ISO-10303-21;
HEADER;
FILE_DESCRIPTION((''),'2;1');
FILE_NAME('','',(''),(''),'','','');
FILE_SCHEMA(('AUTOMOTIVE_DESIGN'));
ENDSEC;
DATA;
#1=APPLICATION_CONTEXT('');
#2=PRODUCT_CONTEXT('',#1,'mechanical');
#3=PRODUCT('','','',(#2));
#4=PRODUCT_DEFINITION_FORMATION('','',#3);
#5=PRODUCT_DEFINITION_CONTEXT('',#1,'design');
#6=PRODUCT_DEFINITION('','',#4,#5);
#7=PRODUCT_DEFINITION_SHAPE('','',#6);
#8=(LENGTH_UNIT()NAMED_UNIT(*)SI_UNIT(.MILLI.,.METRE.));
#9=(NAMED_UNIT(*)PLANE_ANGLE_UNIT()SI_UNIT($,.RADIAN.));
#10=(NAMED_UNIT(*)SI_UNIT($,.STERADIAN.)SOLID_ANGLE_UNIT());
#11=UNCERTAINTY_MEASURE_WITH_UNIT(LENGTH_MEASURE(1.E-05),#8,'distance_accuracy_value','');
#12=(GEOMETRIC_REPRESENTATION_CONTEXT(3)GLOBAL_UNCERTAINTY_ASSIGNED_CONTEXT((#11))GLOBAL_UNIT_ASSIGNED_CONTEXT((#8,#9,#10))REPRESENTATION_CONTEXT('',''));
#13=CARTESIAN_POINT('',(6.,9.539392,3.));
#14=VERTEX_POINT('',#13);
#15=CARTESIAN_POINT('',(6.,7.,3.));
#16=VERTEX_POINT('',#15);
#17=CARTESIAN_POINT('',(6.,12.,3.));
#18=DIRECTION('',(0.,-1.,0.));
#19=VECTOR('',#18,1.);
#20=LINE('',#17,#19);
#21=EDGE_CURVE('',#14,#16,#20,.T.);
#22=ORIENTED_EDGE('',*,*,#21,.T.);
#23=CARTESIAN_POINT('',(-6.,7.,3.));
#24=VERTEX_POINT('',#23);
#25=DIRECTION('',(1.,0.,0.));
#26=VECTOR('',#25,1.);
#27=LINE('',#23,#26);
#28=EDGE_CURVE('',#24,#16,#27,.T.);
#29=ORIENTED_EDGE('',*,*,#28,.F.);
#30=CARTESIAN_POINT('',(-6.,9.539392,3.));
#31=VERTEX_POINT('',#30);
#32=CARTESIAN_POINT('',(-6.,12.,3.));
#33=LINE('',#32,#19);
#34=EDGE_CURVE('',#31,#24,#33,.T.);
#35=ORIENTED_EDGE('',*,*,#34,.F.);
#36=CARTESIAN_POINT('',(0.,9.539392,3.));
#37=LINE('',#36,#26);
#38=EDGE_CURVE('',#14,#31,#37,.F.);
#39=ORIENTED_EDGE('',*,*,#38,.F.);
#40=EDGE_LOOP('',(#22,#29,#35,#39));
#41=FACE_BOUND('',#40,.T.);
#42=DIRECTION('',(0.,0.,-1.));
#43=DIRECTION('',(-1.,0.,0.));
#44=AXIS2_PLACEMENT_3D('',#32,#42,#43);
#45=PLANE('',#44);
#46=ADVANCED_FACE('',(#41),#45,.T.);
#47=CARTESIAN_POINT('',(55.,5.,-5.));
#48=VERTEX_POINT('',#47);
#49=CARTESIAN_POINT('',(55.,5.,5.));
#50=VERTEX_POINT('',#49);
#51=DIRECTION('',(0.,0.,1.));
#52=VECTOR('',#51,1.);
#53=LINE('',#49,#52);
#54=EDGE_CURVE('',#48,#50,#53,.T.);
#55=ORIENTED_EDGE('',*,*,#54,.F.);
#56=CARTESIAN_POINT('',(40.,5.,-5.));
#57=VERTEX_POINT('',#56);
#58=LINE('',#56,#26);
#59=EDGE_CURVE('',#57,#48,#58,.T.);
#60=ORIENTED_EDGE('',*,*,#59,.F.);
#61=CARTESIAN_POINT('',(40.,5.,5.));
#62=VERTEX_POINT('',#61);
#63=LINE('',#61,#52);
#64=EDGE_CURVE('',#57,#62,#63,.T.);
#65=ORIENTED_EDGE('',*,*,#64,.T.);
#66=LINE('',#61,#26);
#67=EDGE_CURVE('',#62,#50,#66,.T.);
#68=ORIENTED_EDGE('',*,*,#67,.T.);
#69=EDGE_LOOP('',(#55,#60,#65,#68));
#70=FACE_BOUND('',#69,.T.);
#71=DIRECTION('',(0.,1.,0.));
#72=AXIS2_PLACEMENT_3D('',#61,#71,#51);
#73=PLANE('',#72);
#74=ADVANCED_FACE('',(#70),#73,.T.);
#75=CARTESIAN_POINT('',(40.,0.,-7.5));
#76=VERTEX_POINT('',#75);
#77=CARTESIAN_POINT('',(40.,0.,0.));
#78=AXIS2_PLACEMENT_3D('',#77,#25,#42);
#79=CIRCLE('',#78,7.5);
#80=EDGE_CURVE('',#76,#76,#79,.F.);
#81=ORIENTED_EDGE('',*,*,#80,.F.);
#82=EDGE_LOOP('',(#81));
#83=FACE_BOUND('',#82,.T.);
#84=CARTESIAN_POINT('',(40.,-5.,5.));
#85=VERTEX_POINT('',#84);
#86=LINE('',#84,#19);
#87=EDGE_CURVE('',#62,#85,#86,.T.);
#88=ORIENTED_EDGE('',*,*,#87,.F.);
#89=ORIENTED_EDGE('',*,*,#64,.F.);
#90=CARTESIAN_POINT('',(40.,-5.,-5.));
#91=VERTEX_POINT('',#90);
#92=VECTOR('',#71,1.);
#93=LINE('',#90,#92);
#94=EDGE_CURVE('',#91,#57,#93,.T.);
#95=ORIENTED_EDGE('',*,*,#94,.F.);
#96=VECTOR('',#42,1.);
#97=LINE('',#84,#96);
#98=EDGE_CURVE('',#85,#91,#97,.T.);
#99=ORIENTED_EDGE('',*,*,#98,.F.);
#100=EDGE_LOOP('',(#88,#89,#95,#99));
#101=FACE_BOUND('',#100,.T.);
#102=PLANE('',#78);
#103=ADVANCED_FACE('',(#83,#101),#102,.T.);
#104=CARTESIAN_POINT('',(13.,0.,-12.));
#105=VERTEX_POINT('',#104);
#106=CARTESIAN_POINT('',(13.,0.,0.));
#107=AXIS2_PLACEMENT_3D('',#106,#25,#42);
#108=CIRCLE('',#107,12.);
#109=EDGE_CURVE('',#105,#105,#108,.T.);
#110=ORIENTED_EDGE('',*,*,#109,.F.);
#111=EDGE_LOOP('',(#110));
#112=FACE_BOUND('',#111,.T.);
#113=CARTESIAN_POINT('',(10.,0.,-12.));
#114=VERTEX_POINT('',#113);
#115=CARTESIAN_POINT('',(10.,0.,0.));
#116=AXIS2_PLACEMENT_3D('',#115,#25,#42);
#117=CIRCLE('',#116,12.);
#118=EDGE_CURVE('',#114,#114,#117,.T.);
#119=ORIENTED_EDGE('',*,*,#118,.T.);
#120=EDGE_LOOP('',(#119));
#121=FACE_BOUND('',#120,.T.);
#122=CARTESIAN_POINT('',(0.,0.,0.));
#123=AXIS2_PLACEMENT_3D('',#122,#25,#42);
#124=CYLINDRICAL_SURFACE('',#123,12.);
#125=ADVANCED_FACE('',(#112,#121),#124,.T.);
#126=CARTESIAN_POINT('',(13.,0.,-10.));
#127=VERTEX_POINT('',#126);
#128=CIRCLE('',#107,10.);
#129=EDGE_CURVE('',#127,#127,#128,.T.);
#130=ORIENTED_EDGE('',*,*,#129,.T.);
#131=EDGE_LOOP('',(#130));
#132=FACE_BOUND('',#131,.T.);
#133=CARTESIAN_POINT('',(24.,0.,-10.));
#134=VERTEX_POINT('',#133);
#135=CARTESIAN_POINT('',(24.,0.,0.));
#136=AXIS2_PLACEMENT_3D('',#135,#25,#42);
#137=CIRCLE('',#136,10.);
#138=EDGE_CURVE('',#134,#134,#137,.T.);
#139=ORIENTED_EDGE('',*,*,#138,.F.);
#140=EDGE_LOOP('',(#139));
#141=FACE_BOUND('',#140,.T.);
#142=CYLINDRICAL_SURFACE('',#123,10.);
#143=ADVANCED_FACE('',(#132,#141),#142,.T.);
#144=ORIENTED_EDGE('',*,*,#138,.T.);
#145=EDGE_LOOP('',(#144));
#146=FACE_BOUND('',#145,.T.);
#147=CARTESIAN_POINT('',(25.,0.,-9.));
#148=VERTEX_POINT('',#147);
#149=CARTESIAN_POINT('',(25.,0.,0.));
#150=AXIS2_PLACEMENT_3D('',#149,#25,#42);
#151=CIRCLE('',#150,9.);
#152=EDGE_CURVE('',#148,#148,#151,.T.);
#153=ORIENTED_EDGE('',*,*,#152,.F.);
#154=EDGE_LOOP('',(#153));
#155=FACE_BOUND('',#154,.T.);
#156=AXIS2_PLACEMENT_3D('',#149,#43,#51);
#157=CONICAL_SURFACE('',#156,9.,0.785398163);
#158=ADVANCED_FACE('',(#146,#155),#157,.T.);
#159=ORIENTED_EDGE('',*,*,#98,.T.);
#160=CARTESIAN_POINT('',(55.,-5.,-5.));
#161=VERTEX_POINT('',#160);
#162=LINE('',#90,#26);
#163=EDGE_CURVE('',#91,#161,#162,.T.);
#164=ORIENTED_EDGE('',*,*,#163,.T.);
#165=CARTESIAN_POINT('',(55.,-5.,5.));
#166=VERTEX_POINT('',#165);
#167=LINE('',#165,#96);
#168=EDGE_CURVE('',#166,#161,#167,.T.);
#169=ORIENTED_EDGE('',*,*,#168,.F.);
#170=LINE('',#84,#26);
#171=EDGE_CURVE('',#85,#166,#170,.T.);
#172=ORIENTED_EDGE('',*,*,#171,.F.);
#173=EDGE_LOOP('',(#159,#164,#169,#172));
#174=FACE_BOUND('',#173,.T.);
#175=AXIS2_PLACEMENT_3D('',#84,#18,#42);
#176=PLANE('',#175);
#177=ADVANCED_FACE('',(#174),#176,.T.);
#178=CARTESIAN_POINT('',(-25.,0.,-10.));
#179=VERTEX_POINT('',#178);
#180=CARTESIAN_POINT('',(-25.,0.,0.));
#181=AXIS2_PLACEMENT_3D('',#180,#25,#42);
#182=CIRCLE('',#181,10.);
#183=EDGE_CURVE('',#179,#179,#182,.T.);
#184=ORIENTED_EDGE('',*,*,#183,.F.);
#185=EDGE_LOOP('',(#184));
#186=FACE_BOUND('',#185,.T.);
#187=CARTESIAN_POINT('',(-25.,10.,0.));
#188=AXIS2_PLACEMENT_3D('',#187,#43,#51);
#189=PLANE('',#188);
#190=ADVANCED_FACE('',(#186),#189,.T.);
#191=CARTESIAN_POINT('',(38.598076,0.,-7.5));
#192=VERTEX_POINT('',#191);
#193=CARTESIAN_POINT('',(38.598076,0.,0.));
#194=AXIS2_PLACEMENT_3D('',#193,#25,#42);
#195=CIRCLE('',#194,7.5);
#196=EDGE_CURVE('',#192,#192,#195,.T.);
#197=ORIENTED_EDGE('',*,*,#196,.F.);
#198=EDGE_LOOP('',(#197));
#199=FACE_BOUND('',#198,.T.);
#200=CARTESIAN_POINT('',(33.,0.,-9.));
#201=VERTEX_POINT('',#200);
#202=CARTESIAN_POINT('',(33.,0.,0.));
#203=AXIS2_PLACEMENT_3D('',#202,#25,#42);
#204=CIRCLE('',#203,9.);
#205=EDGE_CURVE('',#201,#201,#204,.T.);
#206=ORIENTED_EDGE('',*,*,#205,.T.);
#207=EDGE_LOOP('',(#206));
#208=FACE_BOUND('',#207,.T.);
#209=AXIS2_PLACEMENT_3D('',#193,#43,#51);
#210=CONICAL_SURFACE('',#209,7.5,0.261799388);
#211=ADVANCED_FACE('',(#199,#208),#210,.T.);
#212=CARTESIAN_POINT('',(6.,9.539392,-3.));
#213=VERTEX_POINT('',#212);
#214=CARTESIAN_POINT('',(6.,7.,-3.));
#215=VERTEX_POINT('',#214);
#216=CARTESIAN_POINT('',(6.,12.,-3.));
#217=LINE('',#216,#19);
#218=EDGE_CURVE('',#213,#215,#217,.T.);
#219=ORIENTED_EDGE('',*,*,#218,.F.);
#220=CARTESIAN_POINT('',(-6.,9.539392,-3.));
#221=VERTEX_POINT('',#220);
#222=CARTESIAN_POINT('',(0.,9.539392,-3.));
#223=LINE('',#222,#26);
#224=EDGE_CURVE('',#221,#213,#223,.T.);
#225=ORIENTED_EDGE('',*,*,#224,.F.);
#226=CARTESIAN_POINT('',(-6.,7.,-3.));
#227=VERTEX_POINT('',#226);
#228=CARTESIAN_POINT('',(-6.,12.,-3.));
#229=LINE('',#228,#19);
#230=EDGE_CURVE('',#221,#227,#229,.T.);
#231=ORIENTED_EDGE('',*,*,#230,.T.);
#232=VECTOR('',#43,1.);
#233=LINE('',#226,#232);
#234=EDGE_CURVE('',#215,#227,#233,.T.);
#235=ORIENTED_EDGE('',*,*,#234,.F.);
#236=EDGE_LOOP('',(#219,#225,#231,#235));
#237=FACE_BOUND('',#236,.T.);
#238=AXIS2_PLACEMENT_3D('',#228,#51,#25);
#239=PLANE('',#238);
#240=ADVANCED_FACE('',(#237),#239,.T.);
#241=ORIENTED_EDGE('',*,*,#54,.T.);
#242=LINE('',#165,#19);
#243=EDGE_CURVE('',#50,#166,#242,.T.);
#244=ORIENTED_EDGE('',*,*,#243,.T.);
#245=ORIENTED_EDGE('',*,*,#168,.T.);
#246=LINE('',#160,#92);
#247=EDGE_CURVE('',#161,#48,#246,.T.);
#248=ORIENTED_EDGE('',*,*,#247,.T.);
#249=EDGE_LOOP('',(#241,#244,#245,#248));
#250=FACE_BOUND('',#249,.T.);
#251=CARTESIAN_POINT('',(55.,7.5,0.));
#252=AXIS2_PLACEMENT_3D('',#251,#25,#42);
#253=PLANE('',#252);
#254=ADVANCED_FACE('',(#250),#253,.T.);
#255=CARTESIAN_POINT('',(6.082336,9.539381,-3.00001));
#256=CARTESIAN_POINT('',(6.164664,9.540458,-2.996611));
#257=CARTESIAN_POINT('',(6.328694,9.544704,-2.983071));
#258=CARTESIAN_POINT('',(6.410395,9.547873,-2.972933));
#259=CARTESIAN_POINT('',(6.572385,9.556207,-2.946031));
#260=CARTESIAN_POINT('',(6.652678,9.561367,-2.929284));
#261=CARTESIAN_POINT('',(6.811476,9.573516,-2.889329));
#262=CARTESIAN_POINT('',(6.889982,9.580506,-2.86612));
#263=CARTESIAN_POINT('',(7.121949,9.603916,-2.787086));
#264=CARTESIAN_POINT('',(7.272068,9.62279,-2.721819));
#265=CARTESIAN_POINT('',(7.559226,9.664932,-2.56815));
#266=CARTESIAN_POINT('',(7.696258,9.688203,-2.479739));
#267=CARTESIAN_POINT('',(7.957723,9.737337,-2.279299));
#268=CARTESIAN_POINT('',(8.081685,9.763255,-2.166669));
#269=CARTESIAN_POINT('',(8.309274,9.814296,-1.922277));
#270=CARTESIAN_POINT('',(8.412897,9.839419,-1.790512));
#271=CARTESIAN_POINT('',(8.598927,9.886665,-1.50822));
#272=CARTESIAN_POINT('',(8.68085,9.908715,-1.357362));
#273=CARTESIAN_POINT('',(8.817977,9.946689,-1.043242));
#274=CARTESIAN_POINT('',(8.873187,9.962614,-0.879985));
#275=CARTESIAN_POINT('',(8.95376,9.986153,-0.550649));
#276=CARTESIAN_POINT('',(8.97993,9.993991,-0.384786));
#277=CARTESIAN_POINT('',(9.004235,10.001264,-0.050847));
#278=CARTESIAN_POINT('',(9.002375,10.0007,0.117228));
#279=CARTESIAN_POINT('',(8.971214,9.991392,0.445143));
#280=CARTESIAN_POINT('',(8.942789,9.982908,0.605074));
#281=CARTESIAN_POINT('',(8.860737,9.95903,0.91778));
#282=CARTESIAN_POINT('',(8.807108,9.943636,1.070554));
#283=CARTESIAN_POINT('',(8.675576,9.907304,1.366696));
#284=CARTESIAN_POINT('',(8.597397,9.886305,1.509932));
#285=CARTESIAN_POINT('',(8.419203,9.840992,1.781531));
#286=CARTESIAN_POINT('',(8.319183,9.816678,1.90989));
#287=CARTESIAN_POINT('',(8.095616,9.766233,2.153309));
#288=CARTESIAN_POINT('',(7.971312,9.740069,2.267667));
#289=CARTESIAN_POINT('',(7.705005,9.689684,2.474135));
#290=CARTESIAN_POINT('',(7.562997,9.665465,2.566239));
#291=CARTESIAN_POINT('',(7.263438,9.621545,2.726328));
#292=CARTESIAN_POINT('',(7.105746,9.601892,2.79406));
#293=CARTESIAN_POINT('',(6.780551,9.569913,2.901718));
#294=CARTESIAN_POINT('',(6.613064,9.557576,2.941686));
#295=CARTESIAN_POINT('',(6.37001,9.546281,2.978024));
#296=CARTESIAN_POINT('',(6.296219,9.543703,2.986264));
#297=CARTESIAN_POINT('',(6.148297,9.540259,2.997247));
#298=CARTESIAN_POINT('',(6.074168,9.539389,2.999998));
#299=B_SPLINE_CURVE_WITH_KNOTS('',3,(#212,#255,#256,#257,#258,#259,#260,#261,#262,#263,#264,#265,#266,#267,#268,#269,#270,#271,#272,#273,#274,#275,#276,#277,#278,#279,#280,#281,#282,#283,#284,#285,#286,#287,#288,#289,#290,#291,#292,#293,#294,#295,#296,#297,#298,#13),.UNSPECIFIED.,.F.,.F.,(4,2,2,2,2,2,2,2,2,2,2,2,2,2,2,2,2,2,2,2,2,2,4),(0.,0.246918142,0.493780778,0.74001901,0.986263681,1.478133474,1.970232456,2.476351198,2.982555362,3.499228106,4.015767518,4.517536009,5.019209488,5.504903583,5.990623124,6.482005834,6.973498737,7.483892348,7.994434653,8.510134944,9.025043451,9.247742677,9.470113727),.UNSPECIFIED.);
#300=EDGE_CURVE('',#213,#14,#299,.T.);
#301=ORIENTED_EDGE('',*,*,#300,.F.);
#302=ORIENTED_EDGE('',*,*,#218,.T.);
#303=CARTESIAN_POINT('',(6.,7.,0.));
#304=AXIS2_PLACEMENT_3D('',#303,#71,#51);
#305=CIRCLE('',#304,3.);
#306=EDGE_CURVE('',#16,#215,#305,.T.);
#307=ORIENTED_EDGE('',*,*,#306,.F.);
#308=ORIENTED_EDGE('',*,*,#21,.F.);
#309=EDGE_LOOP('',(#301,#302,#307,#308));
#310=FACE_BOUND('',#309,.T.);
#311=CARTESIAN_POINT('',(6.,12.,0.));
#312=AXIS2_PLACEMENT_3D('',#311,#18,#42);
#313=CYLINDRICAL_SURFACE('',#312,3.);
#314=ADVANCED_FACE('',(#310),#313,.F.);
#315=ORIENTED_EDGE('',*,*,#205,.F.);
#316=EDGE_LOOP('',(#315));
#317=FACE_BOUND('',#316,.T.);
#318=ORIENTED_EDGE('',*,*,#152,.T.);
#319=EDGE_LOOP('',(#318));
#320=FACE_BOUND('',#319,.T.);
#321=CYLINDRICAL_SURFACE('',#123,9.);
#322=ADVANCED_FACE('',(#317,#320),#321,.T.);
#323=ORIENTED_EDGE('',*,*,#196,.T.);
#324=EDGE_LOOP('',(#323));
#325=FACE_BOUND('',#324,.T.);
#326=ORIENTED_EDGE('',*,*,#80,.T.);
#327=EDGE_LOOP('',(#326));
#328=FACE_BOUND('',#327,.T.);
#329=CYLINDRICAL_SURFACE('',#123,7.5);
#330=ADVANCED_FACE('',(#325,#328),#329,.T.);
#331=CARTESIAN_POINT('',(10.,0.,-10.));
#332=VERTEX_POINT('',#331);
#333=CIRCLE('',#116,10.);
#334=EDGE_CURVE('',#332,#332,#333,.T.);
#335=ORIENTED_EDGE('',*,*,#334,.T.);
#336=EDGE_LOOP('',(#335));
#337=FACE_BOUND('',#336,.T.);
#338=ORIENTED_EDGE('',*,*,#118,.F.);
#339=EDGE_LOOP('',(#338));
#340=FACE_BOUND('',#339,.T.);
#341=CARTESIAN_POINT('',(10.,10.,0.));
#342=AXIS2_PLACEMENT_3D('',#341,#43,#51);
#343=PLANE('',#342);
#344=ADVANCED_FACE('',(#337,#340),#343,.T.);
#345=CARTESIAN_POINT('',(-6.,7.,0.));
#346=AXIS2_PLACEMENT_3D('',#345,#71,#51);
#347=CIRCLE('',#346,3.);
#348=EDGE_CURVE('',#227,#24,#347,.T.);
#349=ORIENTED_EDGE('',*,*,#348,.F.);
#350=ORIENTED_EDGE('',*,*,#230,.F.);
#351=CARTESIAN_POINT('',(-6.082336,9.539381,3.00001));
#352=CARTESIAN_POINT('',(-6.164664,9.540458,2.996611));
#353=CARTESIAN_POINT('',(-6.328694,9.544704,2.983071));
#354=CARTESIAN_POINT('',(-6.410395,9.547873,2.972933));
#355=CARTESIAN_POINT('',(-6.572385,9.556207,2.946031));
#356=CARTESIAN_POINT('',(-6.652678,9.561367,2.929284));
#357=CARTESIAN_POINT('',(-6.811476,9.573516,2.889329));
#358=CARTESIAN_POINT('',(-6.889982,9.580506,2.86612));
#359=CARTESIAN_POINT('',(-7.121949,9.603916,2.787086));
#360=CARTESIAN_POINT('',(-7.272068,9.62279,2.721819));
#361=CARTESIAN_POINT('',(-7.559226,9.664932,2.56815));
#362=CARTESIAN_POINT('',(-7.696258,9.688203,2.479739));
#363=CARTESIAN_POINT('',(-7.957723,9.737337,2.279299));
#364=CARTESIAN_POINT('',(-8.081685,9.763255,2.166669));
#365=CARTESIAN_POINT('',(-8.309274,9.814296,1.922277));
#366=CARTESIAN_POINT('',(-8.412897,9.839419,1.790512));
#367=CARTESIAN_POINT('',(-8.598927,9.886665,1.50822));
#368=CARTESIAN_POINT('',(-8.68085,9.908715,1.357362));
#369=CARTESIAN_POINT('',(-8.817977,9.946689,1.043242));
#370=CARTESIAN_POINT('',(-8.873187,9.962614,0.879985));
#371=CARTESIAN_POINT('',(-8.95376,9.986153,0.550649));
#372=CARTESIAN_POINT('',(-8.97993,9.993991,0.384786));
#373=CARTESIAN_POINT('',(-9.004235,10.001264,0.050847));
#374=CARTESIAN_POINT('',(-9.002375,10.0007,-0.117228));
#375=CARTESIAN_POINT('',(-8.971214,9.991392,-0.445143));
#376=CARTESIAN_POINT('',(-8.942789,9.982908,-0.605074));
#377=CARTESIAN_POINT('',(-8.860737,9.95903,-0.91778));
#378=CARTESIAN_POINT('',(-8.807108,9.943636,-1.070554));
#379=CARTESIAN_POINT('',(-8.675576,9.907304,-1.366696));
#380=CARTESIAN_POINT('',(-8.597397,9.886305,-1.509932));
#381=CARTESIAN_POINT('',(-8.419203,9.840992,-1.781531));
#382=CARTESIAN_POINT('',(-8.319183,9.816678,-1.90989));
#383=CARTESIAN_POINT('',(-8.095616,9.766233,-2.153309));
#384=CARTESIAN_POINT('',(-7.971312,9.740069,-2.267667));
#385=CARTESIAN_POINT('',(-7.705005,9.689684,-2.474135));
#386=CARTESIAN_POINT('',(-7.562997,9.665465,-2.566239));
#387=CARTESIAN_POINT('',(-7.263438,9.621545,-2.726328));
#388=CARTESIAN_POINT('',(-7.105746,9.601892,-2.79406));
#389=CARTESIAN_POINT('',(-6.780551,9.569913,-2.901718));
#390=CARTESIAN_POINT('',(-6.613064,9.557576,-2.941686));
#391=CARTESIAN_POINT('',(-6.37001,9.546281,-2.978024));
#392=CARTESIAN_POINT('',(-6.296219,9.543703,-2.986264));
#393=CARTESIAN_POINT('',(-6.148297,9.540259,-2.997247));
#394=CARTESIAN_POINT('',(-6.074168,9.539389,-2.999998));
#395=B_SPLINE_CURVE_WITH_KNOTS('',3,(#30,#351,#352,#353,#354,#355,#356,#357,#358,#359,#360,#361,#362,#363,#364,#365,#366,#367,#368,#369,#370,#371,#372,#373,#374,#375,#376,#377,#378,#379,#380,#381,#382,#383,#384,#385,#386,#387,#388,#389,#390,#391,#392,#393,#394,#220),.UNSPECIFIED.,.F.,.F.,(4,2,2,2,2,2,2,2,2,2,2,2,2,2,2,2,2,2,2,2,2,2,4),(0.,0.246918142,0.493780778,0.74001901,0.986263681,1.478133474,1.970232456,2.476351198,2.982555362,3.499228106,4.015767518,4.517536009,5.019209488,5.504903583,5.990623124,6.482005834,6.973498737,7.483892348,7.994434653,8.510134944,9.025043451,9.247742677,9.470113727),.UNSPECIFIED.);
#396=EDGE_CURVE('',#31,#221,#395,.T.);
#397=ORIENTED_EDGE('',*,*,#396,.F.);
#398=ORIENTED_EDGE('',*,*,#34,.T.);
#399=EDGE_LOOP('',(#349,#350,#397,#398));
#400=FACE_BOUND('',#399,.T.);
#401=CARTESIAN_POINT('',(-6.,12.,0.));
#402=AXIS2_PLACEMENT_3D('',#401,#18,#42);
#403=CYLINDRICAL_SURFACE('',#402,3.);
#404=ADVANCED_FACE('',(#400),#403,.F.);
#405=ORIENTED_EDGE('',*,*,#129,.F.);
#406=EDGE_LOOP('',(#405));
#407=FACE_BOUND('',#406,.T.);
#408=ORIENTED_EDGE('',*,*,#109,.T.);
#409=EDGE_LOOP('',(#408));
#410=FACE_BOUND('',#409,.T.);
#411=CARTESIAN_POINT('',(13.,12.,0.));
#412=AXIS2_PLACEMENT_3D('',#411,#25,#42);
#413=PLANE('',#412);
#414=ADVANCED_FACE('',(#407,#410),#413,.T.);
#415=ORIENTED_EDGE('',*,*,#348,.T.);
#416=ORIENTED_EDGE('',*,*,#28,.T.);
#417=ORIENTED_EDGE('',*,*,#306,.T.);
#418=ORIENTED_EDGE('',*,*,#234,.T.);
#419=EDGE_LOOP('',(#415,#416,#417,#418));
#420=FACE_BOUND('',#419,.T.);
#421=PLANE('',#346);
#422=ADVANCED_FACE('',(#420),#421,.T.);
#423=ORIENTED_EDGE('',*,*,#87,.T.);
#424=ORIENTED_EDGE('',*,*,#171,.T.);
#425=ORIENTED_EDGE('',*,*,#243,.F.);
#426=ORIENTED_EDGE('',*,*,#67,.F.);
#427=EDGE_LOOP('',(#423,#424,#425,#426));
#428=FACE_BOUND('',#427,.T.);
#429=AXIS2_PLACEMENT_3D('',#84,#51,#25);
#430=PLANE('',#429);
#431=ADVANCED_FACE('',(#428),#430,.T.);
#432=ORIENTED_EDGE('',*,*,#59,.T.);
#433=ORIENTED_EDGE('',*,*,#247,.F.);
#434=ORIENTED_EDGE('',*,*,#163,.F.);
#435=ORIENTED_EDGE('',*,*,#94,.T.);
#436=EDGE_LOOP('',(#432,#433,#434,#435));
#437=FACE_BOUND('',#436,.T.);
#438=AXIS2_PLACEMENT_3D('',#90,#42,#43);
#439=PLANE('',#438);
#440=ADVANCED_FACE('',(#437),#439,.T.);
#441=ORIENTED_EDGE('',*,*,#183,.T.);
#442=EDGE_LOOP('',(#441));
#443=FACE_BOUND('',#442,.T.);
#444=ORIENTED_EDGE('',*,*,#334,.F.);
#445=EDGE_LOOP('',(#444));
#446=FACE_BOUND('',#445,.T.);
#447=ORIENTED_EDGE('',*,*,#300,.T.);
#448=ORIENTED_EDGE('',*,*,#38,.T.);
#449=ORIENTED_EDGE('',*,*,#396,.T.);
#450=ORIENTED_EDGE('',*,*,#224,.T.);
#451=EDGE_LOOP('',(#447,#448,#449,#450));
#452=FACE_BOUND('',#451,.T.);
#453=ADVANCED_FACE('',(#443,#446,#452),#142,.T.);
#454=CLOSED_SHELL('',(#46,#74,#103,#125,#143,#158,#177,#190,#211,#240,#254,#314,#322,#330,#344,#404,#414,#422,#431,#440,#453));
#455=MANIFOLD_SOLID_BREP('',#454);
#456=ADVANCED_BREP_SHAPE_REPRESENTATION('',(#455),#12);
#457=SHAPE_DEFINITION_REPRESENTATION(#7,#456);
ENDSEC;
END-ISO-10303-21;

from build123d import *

# Parameters (mm, degrees)
SKETCH_2_OUTSIDE_W   = 43.38
SKETCH_2_OUTSIDE_H   = 43.38
SKETCH_2_OUTSIDE_W_2 = 10
SKETCH_2_OUTSIDE_H_2 = 10
CUT_EXTRUDE_1_DEPTH  = 15
CUT_EXTRUDE_START    = 7
CUT_EXTRUDE_2_DEPTH  = 6


with BuildPart() as part:
    # Эскиз1 → Повернуть1 (revolve)
    with BuildSketch(Plane.XY):
        Polygon((-25, 10), (10, 10), (10, 12), (13, 12), (13, 10), (24, 10), (25, 9), (33, 9), (38.598076211, 7.5), (55, 7.5), (55, 0), (-25, 0), align=None)
    revolve(axis=Axis((0, 0, 0), (-1, 0, 0)))

    # Эскиз2 outside → Вырез-Вытянуть1 (cut)
    with BuildSketch(Plane(origin=(55, 0, 0), x_dir=(0, 0, -1), z_dir=(1, 0, 0))):
        Rectangle(SKETCH_2_OUTSIDE_W, SKETCH_2_OUTSIDE_H)
        Rectangle(SKETCH_2_OUTSIDE_W_2, SKETCH_2_OUTSIDE_H_2, mode=Mode.SUBTRACT)
    extrude(amount=-CUT_EXTRUDE_1_DEPTH, mode=Mode.SUBTRACT)

    # Эскиз3 → Вырез-Вытянуть2 (cut, through all)
    with BuildSketch(Plane(origin=(0, 0, 0), x_dir=(1, 0, 0), z_dir=(0, 1, 0)).offset(CUT_EXTRUDE_START)):
        with BuildLine():
            Line((-6, 3), (6, 3))
            ThreePointArc((6, 3), (9, 0), (6, -3))
            Line((6, -3), (-6, -3))
            ThreePointArc((-6, -3), (-9, 0), (-6, 3))
        make_face()
    extrude(amount=CUT_EXTRUDE_2_DEPTH, mode=Mode.SUBTRACT)


solid = part.part
